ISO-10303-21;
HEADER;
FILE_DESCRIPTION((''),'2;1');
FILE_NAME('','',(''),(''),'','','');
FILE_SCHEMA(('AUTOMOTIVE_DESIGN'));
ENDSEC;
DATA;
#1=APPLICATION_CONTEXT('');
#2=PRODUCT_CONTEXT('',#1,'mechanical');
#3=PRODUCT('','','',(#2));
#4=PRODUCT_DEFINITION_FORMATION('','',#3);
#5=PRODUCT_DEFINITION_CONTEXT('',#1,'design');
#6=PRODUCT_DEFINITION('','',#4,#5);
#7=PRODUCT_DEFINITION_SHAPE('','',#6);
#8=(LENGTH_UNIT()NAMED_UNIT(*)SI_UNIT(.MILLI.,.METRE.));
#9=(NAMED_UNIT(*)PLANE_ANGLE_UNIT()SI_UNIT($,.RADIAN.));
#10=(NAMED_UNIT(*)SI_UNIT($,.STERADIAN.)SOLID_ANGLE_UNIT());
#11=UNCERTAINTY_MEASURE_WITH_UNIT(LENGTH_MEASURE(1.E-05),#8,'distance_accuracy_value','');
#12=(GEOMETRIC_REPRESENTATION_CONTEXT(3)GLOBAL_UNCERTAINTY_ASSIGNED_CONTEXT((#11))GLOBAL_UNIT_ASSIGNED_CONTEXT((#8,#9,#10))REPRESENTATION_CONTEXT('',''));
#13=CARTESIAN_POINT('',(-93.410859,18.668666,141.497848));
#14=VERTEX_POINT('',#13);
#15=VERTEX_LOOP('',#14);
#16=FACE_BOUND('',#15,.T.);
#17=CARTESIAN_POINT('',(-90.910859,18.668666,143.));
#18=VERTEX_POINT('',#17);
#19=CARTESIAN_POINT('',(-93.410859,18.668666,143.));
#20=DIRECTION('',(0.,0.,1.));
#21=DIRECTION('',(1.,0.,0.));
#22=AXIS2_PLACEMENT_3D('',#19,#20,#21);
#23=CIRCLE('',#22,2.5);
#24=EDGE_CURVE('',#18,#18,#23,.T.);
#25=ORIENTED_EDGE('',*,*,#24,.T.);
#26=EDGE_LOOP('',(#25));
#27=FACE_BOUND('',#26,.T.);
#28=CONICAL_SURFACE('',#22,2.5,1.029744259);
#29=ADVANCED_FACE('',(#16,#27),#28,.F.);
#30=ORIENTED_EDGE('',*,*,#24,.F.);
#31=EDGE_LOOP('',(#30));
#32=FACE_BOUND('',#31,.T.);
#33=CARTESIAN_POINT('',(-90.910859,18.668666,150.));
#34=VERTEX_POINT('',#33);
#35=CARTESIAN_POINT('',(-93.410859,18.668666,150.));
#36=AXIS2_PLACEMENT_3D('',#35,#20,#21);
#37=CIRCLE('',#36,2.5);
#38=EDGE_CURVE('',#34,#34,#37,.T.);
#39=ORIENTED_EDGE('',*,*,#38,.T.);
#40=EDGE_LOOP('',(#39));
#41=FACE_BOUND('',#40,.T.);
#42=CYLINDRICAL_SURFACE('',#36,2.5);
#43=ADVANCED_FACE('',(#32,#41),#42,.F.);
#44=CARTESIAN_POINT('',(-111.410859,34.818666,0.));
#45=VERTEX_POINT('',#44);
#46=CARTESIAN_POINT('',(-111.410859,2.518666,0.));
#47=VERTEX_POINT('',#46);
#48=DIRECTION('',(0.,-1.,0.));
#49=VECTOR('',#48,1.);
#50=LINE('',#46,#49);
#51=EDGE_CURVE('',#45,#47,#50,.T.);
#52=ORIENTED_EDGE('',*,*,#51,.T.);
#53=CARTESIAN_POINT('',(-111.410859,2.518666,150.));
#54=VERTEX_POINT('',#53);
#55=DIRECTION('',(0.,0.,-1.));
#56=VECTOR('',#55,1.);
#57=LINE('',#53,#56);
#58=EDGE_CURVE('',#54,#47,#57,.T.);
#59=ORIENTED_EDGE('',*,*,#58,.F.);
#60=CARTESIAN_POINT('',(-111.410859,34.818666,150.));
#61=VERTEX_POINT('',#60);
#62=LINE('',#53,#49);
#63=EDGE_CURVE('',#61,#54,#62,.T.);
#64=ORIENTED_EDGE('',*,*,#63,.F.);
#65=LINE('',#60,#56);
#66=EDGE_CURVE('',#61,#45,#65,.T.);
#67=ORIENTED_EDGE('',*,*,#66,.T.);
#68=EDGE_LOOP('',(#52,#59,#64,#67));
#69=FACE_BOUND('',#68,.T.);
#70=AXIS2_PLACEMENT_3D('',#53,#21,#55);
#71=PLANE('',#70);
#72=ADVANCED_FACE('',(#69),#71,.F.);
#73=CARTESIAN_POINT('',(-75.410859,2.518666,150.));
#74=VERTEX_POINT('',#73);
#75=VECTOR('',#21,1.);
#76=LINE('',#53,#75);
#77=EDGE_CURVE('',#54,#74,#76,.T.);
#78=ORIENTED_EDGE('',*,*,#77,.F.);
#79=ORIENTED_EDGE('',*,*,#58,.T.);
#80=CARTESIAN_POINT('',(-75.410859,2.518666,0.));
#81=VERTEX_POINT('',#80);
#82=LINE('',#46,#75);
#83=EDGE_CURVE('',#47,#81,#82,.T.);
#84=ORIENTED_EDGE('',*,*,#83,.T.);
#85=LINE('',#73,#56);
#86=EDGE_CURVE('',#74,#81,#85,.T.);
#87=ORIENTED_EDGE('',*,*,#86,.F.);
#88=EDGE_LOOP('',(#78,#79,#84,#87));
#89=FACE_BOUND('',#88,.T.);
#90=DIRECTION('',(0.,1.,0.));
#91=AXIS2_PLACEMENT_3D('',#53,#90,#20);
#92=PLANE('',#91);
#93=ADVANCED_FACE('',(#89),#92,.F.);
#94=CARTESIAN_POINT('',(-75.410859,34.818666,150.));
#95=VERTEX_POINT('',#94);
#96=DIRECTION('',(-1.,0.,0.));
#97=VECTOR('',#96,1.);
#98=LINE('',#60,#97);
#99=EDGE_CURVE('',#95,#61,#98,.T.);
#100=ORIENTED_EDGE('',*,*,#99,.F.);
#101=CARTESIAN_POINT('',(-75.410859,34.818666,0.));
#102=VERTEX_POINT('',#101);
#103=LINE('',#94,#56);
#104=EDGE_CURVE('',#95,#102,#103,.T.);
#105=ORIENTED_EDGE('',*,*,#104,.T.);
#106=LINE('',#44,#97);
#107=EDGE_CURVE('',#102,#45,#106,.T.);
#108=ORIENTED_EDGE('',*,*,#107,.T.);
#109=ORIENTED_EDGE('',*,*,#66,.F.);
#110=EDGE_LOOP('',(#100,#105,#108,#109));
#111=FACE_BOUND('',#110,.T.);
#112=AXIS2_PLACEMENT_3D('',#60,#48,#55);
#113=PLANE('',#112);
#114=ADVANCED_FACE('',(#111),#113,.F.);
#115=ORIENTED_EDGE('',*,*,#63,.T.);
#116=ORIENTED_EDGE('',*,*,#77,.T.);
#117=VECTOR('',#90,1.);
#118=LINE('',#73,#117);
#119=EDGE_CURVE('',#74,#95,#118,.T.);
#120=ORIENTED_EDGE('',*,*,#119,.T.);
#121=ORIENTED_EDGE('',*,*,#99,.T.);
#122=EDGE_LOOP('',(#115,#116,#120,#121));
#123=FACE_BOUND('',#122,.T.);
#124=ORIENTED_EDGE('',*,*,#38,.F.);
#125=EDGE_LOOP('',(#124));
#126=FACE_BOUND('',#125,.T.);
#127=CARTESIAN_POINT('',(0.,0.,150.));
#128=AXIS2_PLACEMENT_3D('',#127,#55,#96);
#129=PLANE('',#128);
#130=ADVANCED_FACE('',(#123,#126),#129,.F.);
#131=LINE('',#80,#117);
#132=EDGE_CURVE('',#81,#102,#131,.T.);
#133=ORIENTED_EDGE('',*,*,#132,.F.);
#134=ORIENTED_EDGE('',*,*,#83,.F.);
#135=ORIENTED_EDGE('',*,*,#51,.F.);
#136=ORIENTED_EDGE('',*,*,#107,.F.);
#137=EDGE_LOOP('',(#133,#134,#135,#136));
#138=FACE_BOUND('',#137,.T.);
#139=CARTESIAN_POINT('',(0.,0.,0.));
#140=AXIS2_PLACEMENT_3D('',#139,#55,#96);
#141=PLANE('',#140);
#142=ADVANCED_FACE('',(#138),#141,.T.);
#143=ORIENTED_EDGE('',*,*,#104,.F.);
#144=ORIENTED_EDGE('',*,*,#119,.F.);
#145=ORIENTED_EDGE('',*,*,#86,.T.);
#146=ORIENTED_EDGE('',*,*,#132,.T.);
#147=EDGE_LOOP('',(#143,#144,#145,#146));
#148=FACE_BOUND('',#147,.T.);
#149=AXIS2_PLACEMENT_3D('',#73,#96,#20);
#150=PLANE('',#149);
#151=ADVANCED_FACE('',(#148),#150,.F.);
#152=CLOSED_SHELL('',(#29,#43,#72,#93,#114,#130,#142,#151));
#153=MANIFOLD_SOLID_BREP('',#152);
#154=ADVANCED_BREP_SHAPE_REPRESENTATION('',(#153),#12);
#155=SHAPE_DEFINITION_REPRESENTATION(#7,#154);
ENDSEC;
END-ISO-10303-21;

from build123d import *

# Parameters (mm, degrees)
SKETCH_2_W             = 36
SKETCH_2_H             = 32.3
EXTRUDE_1_DEPTH        = 150
HOLE_WIZARD_M6_1_D     = 5
HOLE_WIZARD_M6_1_DEPTH = 7
HOLE_WIZARD_M6_1_TIP   = 1.502151548


with BuildPart() as part:
    # 草图2 → 凸台-拉伸1 (new body)
    with BuildSketch(Plane.XY):
        with Locations((-93.410859233, 18.668666464)):
            Rectangle(SKETCH_2_W, SKETCH_2_H)
    extrude(amount=EXTRUDE_1_DEPTH)

    # M6 螺纹孔1
    with Locations(Plane.XY.offset(150)):
        with Locations((-93.410859233, 18.668666464)):
            Hole(HOLE_WIZARD_M6_1_D / 2, depth=HOLE_WIZARD_M6_1_DEPTH)
            with Locations((0, 0, -(HOLE_WIZARD_M6_1_DEPTH + HOLE_WIZARD_M6_1_TIP / 2))):  # 118° drill point
                Cone(0, HOLE_WIZARD_M6_1_D / 2, HOLE_WIZARD_M6_1_TIP, mode=Mode.SUBTRACT)


solid = part.part
